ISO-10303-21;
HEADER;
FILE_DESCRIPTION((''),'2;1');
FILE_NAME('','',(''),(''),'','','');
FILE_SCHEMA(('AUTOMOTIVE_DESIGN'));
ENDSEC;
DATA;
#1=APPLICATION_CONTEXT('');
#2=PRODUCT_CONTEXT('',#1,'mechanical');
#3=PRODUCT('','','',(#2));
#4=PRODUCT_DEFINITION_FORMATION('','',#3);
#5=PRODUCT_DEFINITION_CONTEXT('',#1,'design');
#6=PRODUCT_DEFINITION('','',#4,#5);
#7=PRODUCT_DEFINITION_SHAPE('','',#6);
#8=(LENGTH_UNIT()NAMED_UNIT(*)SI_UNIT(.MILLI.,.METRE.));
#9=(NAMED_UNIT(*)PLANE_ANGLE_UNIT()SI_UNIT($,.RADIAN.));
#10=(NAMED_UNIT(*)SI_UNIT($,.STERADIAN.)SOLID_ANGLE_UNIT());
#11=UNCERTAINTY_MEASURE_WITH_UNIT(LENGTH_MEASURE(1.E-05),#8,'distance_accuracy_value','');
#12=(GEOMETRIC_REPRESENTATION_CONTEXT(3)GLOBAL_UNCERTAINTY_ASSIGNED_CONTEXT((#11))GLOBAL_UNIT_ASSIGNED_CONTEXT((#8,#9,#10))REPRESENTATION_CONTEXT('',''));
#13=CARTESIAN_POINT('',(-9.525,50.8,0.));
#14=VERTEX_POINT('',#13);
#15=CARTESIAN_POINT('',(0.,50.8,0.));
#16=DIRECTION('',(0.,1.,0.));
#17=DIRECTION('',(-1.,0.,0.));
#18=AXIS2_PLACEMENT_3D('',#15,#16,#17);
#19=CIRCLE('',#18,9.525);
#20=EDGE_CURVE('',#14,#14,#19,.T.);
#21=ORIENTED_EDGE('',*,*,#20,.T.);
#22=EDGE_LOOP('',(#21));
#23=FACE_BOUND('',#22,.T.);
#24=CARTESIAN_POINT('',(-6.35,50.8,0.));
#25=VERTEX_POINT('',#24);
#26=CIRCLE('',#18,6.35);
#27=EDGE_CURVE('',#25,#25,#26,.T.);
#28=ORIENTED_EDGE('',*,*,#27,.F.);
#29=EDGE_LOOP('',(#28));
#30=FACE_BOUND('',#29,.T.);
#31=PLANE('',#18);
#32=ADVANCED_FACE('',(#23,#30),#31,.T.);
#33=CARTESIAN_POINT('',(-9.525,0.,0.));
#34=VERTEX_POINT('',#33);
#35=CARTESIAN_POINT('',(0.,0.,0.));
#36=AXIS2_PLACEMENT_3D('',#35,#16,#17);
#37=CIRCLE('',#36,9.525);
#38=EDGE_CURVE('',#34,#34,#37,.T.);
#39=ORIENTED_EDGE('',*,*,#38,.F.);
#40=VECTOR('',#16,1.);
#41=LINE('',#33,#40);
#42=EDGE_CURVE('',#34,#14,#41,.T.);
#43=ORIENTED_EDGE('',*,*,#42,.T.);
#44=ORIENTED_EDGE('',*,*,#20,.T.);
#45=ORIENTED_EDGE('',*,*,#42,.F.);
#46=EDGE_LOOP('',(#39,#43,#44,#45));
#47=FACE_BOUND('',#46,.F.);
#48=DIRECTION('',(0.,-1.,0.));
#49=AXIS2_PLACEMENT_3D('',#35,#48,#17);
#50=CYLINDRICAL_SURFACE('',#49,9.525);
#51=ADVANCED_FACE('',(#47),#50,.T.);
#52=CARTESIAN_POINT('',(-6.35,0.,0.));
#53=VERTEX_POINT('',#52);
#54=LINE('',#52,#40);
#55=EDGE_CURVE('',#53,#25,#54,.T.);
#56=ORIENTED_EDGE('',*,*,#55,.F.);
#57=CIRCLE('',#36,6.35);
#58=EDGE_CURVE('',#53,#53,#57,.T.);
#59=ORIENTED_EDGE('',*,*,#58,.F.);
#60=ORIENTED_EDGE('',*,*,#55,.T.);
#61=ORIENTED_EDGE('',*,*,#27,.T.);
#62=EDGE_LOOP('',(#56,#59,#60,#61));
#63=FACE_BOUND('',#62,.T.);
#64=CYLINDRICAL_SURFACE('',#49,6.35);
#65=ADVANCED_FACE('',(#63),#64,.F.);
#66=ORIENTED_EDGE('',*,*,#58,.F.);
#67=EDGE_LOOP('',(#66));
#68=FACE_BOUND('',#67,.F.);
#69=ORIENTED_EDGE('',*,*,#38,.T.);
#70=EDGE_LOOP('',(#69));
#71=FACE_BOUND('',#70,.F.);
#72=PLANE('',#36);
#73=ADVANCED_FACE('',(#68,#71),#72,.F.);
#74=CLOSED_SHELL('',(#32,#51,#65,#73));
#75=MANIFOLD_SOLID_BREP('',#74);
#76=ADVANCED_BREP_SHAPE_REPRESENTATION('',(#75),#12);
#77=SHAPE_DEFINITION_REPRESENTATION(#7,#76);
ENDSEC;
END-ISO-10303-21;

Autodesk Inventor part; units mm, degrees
ref_plane "YZ Plane" through (0, 0, 0) normal (1, 0, 0) x (0, 1, 0)
ref_plane "XZ Plane" through (0, 0, 0) normal (0, 1, 0) x (-1, 0, 0)
ref_plane "XY Plane" through (0, 0, 0) normal (0, 0, 1) x (1, 0, 0)
sketch "Sketch1" plane through (0, 0, 0) normal (0, 1, 0) x (-1, 0, 0)
  circle A0 centre (0, 0) radius 9.525
  circle A1 centre (0, 0) radius 6.35
  dimension "d0" = 19.05
  dimension "d1" = 12.7
extrude "Extrusion1" add sketch "Sketch1" along normal blind 50.8
properties part number "spacer"
